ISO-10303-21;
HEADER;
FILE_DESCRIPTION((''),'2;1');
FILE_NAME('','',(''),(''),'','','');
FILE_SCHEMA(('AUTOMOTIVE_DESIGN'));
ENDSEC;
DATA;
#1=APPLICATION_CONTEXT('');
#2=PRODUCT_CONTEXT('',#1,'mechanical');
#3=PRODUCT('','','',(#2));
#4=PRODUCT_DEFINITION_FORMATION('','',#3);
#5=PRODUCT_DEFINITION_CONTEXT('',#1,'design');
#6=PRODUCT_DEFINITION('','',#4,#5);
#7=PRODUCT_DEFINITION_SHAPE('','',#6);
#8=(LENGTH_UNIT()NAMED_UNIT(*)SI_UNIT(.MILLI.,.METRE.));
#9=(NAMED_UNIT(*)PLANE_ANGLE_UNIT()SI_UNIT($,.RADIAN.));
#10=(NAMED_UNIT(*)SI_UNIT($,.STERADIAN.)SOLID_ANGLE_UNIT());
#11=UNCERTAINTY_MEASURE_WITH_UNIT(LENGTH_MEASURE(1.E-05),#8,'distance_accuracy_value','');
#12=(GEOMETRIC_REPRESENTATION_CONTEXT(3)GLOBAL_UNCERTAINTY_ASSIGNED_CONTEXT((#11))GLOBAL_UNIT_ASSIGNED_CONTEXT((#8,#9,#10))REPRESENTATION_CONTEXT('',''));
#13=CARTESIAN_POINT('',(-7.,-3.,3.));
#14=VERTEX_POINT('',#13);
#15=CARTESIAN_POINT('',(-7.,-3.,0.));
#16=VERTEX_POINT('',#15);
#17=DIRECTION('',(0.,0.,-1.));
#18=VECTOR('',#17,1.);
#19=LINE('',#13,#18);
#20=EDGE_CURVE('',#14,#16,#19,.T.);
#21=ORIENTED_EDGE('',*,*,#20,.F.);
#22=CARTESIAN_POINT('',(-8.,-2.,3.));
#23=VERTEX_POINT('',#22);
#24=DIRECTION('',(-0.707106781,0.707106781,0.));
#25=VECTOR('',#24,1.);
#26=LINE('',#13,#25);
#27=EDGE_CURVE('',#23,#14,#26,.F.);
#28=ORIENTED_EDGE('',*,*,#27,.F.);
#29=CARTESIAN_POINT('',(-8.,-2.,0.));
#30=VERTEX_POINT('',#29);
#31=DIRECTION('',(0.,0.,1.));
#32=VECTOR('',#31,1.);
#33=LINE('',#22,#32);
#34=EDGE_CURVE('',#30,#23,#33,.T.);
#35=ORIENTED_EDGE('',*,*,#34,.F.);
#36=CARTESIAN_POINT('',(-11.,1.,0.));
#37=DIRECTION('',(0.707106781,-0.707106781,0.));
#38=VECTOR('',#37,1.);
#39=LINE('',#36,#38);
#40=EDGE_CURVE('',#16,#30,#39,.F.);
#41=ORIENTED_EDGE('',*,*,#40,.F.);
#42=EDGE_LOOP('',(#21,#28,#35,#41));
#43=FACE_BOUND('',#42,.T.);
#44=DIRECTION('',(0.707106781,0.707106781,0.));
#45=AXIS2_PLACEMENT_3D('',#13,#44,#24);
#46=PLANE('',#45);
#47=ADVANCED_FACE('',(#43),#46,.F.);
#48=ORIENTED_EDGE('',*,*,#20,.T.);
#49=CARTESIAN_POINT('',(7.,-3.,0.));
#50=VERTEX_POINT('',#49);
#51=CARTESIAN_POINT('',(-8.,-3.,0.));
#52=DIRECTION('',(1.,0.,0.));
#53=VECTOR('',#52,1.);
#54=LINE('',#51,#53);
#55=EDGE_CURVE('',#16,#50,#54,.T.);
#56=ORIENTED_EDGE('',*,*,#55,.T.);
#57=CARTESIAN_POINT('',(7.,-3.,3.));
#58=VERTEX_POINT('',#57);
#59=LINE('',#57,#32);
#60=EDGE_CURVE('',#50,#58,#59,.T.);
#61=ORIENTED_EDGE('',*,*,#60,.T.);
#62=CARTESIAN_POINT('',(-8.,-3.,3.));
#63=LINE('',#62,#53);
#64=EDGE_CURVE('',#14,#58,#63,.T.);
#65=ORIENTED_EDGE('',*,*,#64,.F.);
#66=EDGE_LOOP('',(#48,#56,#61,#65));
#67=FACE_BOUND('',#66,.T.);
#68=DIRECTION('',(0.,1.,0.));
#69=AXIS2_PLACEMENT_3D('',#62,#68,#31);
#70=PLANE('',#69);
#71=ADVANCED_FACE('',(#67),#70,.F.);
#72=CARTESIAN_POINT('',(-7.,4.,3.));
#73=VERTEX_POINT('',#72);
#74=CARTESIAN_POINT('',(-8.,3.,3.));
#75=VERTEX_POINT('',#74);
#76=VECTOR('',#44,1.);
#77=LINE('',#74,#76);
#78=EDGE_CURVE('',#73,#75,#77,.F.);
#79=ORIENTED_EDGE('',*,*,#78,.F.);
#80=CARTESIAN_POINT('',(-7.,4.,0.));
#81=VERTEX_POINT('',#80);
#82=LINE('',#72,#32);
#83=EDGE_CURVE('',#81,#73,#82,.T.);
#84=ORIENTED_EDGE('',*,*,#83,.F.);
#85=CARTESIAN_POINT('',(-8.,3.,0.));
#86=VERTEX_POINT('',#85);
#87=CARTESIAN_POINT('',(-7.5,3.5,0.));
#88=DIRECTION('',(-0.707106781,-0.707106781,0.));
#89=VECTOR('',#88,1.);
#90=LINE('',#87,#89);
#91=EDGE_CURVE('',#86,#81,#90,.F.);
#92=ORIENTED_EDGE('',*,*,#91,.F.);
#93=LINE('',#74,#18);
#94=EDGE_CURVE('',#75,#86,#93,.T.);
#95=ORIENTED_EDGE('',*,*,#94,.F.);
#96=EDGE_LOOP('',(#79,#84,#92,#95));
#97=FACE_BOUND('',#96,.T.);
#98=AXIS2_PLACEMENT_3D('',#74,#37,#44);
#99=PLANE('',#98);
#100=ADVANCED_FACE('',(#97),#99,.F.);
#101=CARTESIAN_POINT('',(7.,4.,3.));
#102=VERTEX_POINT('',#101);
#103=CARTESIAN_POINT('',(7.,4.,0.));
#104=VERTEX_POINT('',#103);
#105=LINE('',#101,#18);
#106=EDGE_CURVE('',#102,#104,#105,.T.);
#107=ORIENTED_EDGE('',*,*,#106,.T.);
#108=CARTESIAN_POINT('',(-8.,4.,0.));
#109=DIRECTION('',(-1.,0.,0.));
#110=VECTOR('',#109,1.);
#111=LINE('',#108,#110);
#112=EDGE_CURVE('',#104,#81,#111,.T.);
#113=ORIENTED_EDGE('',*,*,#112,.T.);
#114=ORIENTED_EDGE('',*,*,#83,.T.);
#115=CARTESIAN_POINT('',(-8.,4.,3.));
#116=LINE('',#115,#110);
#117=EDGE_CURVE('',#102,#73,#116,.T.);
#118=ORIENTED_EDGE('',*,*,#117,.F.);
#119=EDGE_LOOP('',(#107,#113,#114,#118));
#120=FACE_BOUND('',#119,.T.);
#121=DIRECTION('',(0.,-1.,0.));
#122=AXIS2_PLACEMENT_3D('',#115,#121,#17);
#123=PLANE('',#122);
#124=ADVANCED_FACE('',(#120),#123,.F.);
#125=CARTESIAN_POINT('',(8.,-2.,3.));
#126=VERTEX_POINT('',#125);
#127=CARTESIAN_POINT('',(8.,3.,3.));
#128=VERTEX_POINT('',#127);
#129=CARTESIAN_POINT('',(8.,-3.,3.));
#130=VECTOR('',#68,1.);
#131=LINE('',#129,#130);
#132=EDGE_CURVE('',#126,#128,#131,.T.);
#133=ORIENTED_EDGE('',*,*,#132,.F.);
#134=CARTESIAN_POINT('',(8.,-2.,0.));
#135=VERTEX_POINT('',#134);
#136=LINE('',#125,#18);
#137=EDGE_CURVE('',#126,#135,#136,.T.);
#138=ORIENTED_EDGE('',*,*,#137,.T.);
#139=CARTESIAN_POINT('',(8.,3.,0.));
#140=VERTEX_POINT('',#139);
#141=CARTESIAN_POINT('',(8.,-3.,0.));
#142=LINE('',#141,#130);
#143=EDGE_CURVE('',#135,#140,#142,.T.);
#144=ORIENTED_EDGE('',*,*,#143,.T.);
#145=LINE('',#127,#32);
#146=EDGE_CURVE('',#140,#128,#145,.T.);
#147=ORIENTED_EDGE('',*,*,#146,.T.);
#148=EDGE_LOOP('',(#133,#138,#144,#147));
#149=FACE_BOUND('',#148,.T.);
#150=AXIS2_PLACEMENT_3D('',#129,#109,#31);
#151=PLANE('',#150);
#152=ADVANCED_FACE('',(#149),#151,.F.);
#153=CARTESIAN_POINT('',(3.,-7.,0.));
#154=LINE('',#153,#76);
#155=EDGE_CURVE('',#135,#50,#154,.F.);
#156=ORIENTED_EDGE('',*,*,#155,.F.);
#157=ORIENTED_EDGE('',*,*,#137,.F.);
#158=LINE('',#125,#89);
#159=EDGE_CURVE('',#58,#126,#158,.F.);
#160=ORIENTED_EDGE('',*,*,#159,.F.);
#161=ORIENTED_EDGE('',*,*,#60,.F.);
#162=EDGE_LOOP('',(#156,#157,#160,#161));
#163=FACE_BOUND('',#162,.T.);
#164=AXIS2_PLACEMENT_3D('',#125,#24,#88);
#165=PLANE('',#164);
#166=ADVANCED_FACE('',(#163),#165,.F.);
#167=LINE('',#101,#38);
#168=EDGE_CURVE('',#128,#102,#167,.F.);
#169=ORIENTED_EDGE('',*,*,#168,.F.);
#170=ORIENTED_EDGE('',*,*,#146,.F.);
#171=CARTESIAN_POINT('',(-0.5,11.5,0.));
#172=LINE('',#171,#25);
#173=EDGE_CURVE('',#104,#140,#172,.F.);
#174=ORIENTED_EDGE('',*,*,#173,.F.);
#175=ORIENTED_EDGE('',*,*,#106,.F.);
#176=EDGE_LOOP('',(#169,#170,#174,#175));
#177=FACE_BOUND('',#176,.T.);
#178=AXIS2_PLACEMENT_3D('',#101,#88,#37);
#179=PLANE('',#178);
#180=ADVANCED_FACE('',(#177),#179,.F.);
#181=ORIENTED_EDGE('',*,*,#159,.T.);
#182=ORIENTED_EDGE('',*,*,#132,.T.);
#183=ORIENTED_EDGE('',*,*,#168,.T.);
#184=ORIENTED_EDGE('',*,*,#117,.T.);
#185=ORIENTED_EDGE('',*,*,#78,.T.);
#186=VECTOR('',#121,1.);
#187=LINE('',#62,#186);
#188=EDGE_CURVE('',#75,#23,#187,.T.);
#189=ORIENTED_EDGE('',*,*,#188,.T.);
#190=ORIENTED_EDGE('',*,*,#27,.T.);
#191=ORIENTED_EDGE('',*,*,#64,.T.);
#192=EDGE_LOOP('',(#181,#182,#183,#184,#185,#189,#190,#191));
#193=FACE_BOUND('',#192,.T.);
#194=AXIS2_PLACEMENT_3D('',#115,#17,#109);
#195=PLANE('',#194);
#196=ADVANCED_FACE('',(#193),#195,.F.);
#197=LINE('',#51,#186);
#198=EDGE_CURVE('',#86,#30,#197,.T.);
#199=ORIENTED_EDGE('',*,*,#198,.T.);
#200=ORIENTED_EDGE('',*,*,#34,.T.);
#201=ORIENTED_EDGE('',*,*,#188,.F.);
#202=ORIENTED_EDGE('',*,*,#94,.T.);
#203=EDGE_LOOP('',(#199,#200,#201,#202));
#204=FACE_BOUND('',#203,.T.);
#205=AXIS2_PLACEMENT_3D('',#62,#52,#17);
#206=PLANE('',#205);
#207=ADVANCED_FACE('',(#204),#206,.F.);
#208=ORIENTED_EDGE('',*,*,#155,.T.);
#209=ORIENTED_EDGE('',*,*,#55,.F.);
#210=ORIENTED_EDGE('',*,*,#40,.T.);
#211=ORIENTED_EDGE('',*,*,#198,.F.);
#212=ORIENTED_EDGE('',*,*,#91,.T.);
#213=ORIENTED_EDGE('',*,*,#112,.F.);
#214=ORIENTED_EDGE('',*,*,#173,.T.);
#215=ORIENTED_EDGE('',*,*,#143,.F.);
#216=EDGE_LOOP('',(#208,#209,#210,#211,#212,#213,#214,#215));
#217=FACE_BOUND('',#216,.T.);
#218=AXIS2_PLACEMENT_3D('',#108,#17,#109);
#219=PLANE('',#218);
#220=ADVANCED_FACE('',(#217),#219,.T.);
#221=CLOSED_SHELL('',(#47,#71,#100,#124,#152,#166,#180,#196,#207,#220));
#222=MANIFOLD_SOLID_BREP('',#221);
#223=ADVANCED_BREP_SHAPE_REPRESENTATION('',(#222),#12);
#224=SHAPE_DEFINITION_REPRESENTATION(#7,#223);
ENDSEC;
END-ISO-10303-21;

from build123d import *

# Parameters (mm, degrees)
SKETCH_1_W      = 16
SKETCH_1_H      = 7
EXTRUDE_1_DEPTH = 3
CHAMFER_2_SIZE  = 1


with BuildPart() as part:
    # Эскиз1 → Вытянуть1 (new body)
    with BuildSketch(Plane.XY):
        with Locations((0, 0.5)):
            Rectangle(SKETCH_1_W, SKETCH_1_H)
    extrude(amount=EXTRUDE_1_DEPTH)

    # Фаска2
    chamfer_2_edges = [part.edges().sort_by_distance(p)[0] for p in [
        (-8, 4, 1.5),
        (8, 4, 1.5),
        (8, -3, 1.5),
        (-8, -3, 1.5),
    ]]
    chamfer(chamfer_2_edges, length=CHAMFER_2_SIZE)


solid = part.part
